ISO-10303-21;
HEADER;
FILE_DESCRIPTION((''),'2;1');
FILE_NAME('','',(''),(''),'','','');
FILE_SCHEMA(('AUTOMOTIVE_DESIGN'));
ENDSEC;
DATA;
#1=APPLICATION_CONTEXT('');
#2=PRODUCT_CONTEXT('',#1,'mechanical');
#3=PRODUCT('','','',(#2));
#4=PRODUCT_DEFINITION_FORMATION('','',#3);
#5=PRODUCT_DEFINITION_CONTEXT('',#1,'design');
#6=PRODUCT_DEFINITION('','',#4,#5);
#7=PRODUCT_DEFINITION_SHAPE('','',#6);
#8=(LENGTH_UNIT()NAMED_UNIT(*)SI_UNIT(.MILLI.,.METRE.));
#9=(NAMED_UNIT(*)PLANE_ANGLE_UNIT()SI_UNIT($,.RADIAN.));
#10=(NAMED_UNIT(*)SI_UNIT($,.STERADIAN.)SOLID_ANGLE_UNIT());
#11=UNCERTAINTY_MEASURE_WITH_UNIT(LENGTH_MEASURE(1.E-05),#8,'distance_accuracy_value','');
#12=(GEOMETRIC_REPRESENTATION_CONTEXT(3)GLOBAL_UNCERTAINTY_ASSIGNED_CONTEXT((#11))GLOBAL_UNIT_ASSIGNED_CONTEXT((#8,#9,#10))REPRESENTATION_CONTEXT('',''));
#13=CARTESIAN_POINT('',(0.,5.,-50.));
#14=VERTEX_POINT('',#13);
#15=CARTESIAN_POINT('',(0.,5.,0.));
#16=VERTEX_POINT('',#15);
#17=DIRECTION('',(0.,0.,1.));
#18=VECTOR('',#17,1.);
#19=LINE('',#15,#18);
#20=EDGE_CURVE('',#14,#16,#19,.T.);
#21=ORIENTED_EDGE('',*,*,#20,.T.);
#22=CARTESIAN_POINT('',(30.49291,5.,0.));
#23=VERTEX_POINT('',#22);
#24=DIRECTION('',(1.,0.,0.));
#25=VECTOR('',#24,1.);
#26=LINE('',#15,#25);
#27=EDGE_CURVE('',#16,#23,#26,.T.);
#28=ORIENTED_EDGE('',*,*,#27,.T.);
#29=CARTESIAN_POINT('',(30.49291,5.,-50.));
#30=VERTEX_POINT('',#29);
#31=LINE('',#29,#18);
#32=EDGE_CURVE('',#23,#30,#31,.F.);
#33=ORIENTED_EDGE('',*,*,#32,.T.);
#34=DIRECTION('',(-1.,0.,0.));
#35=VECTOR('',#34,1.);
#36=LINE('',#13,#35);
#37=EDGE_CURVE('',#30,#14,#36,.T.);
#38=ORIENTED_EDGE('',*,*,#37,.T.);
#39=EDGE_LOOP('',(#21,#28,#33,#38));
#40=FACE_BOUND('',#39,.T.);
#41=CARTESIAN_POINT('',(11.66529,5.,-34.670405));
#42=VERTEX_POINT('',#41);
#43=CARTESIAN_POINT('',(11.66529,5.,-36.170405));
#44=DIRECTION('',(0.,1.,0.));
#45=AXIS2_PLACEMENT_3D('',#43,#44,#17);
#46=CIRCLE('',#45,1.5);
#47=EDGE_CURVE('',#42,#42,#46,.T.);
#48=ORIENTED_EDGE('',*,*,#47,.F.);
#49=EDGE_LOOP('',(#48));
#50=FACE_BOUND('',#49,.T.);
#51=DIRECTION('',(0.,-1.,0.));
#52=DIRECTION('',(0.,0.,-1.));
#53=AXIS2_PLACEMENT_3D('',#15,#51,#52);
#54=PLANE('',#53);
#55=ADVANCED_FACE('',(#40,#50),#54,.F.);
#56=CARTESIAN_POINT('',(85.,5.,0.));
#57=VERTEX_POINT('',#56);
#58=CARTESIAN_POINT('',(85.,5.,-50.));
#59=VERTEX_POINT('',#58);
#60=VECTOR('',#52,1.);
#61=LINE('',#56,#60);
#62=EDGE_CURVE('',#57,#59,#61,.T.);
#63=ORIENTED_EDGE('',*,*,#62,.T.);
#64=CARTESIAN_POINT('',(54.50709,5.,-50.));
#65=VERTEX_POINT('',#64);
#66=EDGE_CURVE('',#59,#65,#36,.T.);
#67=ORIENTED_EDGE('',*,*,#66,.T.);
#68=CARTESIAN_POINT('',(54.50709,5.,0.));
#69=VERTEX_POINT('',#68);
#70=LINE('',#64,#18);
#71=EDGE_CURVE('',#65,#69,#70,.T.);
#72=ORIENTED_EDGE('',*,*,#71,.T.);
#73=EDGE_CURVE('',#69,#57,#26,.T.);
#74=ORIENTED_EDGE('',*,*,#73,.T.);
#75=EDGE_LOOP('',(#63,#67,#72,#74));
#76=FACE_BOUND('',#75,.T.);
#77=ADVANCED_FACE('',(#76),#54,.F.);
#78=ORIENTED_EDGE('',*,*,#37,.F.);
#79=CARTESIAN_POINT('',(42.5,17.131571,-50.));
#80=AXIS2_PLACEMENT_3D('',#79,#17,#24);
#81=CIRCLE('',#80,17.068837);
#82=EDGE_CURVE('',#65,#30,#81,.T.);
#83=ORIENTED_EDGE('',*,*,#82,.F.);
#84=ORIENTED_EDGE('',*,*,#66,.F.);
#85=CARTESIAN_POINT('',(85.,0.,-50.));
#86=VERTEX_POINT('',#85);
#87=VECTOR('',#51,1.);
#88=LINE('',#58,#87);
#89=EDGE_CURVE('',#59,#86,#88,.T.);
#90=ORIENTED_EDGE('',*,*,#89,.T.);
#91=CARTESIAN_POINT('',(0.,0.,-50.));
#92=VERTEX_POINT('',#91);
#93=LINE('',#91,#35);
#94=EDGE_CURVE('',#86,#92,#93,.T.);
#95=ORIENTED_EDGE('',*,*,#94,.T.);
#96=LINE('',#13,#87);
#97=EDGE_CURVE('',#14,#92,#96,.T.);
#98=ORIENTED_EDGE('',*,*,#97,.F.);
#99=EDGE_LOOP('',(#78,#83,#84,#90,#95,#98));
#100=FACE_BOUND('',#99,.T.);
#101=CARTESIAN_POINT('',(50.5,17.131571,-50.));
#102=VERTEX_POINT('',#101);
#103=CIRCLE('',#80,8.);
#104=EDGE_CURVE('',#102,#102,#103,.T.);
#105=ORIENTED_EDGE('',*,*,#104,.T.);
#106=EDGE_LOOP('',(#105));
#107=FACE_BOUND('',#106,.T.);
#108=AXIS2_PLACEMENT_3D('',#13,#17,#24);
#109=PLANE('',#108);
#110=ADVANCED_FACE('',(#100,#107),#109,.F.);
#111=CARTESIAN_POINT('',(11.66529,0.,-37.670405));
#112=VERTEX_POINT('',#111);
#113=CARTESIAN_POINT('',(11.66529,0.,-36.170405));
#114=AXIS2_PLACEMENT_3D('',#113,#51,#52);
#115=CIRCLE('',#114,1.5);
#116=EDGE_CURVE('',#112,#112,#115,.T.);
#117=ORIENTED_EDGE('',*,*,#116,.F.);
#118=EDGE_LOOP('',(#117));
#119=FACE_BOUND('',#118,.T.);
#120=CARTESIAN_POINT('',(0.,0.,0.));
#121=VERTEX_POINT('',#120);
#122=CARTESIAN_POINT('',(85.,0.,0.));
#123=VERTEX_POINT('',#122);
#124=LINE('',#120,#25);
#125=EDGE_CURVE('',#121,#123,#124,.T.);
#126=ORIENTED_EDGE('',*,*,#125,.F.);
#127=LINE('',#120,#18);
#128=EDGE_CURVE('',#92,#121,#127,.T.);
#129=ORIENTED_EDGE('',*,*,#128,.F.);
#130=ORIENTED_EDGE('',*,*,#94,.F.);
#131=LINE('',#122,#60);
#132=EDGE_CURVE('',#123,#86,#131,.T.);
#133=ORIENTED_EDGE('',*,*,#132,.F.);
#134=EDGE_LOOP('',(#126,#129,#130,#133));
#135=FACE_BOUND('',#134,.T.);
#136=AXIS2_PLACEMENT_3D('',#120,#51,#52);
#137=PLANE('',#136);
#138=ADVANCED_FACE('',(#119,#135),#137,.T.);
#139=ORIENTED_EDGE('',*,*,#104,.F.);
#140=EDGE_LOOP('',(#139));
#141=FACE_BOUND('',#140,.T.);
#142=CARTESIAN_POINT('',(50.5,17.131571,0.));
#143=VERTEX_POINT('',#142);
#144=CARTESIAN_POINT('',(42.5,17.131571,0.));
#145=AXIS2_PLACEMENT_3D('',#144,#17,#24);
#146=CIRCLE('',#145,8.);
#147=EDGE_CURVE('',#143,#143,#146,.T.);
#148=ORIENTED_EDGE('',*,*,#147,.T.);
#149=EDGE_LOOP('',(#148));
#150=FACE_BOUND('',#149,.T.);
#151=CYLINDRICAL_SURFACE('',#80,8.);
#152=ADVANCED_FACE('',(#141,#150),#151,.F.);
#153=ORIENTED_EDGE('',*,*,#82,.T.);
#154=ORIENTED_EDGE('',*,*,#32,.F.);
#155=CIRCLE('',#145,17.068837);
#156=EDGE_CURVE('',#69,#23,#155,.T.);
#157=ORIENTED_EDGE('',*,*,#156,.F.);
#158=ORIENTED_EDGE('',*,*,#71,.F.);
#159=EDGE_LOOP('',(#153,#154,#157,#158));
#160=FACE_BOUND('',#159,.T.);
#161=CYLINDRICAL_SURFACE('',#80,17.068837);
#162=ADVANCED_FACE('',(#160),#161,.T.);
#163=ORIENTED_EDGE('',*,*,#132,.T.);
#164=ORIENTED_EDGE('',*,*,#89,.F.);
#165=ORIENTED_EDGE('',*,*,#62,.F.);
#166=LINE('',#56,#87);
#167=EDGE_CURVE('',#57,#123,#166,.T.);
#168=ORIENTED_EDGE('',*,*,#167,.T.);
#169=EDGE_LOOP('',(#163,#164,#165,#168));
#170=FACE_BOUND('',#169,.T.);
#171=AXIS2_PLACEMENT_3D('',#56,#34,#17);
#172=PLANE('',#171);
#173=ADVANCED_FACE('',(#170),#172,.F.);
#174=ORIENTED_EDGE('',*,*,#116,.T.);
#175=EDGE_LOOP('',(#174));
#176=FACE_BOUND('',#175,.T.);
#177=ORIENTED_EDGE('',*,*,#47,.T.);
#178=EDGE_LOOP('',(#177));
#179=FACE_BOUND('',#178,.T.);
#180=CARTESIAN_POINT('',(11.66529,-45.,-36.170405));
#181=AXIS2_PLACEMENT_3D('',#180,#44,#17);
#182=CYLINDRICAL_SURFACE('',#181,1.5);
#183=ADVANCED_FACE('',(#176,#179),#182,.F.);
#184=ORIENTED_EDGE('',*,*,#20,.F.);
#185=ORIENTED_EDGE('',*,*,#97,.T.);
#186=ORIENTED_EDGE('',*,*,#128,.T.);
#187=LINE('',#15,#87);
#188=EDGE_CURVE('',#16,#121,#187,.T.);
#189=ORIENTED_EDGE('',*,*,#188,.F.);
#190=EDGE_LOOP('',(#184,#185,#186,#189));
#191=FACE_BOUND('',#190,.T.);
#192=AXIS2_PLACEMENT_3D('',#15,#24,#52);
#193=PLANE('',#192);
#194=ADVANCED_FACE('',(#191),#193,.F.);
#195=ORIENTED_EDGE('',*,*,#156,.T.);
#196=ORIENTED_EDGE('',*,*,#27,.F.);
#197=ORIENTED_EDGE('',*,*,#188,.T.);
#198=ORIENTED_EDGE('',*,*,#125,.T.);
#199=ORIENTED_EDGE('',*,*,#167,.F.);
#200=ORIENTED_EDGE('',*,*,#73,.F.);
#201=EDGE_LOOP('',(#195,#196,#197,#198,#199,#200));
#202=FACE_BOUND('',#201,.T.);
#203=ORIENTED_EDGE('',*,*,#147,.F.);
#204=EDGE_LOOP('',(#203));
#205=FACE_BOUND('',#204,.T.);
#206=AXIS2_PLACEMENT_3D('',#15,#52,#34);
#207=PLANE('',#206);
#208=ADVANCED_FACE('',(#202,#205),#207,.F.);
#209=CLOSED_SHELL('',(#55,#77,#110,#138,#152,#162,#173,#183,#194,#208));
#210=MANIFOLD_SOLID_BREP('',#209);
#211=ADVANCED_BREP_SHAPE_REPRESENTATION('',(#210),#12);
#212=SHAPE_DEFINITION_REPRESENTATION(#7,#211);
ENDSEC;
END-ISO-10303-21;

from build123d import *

# Parameters (mm, degrees)
SKETCH2_W           = 85
SKETCH2_H           = 50
BOSS_EXTRUDE2_DEPTH = 5
SKETCH3_R           = 17.0688374
SKETCH3_R_2         = 8
BOSS_EXTRUDE4_DEPTH = 50
SKETCH5_R           = 1.5
CUT_EXTRUDE1_DEPTH  = 50


with BuildPart() as part:
    # Sketch2 → Boss-Extrude2 (new body)
    with BuildSketch(Plane(origin=(0, 0, 0), x_dir=(1, 0, 0), z_dir=(0, 1, 0))):
        with Locations((42.5, 25)):
            Rectangle(SKETCH2_W, SKETCH2_H)
    extrude(amount=BOSS_EXTRUDE2_DEPTH)

    # Sketch3 → Boss-Extrude4 (add)
    with BuildSketch(Plane.XY):
        with Locations((42.5, 17.131570827)):
            Circle(SKETCH3_R)
        with Locations((42.5, 17.131570827)):
            Circle(SKETCH3_R_2, mode=Mode.SUBTRACT)
    extrude(amount=-BOSS_EXTRUDE4_DEPTH)

    # Sketch5 → Cut-Extrude1 (cut)
    with BuildSketch(Plane(origin=(0, 5, 0), x_dir=(1, 0, 0), z_dir=(0, 1, 0))):
        with Locations(Location((11.665290462, 36.170405123, 0), (0, 0, 270))):
            Circle(SKETCH5_R)
    extrude(amount=-CUT_EXTRUDE1_DEPTH, mode=Mode.SUBTRACT)


solid = part.part
